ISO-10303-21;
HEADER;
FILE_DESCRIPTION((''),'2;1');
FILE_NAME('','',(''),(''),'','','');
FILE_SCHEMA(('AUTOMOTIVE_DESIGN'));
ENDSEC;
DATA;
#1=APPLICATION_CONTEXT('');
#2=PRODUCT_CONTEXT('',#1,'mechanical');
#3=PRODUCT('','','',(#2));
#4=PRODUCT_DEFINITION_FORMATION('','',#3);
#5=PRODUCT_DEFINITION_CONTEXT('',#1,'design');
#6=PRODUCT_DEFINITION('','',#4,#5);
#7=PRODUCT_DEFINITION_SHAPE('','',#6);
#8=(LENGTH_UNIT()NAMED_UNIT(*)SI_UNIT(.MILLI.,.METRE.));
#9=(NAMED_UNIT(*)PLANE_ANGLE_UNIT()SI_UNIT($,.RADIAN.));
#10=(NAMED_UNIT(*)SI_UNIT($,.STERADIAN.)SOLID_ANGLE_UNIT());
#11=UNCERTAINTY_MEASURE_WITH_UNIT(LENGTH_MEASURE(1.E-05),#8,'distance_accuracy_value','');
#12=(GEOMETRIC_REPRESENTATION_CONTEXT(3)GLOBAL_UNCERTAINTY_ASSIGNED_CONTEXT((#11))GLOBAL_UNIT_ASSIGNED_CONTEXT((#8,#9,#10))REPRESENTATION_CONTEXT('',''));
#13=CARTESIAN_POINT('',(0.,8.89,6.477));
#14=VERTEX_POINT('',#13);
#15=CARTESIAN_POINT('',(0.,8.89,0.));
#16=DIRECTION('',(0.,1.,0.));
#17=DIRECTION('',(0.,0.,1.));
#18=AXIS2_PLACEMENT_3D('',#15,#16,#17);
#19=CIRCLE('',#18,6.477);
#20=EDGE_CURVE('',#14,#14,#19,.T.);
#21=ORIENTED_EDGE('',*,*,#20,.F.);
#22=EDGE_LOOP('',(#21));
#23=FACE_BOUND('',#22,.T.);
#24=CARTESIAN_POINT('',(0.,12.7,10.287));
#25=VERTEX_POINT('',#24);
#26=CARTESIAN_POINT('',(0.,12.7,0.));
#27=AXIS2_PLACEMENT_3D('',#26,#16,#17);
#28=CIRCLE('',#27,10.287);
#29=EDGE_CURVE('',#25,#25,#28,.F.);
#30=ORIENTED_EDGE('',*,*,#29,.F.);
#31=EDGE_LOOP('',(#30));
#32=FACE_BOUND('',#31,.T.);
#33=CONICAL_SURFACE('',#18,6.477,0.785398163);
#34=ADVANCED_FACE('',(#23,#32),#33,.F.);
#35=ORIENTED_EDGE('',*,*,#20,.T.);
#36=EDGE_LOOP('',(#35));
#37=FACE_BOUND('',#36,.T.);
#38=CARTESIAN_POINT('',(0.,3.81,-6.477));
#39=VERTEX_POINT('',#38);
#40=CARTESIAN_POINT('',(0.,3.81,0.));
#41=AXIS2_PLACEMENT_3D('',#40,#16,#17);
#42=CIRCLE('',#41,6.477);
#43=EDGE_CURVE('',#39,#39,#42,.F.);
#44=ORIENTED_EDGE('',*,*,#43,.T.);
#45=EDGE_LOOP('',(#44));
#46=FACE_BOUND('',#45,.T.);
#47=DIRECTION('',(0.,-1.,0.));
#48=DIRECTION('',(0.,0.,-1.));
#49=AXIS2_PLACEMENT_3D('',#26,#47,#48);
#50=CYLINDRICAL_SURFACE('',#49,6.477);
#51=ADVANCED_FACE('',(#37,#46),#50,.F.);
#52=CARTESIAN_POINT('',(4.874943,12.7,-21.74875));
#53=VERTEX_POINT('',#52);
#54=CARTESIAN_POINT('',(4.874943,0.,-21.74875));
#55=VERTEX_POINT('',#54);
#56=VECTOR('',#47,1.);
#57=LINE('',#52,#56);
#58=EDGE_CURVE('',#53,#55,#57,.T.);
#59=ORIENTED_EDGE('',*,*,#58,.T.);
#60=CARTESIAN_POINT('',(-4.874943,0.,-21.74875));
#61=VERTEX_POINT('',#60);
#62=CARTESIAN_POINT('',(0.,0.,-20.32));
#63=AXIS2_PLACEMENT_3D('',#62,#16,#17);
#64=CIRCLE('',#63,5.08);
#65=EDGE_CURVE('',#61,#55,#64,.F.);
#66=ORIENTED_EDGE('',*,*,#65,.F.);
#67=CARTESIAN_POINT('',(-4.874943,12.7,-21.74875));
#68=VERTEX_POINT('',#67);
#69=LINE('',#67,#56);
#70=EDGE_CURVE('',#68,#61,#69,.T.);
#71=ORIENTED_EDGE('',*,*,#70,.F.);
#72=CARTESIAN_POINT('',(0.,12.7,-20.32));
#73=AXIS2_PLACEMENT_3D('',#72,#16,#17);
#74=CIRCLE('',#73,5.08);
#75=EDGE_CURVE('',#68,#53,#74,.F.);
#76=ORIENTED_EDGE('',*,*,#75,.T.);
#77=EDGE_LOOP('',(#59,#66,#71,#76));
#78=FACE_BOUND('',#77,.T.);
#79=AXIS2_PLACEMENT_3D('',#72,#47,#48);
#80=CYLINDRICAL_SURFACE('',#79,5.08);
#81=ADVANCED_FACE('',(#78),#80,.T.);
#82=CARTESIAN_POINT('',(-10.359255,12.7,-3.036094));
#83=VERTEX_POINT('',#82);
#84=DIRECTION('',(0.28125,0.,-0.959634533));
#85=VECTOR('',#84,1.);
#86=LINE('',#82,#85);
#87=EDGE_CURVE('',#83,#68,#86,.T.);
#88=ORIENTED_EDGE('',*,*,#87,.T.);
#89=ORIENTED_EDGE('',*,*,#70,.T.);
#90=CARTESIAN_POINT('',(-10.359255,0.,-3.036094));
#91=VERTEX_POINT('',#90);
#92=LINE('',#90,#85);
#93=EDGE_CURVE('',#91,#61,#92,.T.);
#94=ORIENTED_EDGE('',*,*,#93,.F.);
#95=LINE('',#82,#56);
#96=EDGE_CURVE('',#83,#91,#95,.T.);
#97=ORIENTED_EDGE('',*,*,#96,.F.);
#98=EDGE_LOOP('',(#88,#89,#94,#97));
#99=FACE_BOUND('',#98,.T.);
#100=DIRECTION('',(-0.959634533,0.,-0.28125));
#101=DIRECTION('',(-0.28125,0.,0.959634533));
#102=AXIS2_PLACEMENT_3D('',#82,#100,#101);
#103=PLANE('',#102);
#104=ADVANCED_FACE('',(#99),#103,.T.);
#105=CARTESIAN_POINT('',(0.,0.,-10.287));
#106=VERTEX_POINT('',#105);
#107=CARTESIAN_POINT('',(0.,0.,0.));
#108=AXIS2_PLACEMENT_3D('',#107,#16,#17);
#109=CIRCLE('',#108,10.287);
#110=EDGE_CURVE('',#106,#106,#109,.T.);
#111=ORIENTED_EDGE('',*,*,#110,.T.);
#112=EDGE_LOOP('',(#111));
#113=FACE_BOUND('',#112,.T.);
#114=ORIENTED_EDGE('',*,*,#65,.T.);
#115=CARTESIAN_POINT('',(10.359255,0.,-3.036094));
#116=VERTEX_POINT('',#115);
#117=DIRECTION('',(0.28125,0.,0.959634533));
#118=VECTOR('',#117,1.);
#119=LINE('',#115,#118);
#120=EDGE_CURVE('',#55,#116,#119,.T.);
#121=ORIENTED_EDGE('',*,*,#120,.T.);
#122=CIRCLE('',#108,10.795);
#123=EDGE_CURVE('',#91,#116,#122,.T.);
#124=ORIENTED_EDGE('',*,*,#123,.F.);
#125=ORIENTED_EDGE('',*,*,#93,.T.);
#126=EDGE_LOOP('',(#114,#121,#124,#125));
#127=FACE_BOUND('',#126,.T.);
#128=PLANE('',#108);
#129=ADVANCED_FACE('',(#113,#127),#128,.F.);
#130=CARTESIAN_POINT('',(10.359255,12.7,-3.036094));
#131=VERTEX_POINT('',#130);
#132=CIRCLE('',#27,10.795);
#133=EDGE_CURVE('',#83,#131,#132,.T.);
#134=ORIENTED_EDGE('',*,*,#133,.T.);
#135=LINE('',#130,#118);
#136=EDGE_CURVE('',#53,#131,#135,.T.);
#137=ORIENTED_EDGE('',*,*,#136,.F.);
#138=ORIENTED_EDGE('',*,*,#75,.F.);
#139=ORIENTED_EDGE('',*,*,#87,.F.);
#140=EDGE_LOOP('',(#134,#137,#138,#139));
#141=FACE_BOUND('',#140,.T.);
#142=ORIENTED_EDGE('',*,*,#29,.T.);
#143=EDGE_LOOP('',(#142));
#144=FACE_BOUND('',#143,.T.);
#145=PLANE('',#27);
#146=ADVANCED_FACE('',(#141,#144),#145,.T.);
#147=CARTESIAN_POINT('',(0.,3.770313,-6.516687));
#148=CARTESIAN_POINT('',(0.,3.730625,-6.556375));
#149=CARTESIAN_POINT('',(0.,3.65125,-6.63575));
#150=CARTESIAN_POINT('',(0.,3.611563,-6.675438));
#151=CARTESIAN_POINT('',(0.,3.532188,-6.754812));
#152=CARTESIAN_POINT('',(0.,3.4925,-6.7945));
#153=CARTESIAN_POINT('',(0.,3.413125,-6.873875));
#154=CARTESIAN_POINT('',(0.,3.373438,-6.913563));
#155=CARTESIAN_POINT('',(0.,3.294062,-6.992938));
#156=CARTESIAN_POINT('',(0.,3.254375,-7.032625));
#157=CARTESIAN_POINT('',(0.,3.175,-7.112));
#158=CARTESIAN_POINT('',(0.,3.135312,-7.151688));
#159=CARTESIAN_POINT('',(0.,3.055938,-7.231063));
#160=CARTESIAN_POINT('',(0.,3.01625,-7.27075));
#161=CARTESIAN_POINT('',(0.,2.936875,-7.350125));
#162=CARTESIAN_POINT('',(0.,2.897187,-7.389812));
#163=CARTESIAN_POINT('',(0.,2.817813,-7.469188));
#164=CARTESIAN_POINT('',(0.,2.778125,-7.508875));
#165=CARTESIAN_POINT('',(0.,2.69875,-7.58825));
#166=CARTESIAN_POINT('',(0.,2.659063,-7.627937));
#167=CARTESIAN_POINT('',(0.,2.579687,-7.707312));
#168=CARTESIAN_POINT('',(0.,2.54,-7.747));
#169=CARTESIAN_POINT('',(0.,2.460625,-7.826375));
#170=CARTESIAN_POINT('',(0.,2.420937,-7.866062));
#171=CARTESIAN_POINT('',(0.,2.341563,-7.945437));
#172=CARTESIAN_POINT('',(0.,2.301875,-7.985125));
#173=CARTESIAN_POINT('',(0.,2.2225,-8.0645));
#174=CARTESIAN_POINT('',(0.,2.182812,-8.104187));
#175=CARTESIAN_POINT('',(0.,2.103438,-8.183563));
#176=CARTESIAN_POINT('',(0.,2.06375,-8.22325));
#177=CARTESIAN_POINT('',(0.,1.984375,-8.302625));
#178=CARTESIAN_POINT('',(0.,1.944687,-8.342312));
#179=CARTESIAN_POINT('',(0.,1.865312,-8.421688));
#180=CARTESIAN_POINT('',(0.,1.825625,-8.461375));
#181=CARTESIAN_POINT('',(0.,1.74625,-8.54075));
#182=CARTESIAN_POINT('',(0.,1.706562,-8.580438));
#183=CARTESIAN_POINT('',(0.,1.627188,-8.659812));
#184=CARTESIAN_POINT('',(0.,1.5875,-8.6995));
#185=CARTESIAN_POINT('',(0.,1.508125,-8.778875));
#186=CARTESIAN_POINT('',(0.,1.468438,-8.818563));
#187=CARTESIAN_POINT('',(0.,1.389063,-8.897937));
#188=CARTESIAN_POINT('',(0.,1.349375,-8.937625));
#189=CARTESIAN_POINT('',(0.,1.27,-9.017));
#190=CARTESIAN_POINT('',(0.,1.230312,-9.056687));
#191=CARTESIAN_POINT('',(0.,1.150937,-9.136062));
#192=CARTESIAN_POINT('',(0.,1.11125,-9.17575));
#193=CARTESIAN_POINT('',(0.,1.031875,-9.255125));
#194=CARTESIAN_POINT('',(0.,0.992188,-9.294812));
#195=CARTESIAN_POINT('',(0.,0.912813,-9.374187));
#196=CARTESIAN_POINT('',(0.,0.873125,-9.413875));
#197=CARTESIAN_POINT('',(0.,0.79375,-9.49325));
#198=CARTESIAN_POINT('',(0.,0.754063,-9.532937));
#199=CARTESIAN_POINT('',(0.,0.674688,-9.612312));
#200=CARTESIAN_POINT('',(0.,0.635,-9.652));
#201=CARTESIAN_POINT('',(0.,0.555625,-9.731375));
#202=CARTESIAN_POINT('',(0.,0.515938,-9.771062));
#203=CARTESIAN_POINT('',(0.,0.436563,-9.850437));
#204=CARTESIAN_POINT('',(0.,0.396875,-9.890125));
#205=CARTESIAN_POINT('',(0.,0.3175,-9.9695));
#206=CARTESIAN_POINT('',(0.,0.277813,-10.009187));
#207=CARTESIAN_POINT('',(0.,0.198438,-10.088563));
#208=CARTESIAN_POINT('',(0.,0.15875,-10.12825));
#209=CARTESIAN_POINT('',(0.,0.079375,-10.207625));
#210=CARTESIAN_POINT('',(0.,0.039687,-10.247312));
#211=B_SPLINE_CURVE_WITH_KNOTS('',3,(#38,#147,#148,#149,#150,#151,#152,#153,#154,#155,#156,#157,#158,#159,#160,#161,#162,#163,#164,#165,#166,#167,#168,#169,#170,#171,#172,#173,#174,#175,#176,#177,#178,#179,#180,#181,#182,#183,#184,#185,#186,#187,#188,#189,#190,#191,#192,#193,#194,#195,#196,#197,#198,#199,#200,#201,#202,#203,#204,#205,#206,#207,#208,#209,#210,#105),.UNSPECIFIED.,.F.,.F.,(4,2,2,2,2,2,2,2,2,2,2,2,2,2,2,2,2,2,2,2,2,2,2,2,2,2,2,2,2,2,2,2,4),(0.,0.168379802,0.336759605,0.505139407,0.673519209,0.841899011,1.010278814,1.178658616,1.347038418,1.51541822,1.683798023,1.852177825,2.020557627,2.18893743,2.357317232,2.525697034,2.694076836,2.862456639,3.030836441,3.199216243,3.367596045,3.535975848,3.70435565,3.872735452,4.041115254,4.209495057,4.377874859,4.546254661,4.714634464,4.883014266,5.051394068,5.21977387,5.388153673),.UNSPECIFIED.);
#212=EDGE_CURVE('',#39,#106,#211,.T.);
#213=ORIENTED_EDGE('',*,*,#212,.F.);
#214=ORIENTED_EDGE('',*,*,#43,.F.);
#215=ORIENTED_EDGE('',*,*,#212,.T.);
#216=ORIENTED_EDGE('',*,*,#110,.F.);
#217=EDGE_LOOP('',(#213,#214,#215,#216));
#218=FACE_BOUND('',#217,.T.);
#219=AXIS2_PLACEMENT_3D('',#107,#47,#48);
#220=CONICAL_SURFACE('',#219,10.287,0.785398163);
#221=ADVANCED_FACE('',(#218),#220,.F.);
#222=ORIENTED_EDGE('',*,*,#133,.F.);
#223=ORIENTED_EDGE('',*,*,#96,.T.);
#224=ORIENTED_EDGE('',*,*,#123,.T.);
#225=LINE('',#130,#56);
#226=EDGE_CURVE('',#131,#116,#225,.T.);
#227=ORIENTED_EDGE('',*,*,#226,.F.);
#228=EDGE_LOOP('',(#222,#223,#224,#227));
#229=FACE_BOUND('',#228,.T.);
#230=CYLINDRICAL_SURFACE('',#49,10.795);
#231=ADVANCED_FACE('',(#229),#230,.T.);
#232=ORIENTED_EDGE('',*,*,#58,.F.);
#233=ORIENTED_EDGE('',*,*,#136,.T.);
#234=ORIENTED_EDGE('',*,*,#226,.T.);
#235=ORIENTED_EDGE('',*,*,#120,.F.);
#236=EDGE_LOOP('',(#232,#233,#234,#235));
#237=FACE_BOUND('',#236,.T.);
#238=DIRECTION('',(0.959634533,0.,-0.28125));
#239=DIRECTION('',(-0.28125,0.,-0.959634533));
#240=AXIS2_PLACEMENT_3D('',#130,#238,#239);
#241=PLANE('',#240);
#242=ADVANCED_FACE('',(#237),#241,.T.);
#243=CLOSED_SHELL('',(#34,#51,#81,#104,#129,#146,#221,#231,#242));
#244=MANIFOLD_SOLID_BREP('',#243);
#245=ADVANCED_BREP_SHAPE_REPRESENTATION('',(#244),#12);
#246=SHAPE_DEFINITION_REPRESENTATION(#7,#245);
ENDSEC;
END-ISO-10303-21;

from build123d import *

# Parameters (mm, degrees)
SKETCH1_R           = 10.795
SKETCH1_R_2         = 6.477
BOSS_EXTRUDE1_DEPTH = 12.7
CHAMFER1_SIZE       = 3.81


with BuildPart() as part:
    # Sketch1 → Boss-Extrude1 (new body)
    # profile 1 of 2: a face of its own
    with BuildSketch(Plane(origin=(0, 0, 0), x_dir=(1, 0, 0), z_dir=(0, 1, 0))):
        with BuildLine():
            Line((-4.874943429, 21.74875), (-10.359254787, 3.03609375))
            ThreePointArc((-10.359254787, 3.03609375), (0, 10.795), (10.359254787, 3.03609375))
            Line((10.359254787, 3.03609375), (4.874943429, 21.74875))
            ThreePointArc((4.874943429, 21.74875), (0, 25.4), (-4.874943429, 21.74875))
        make_face()
    # profile 2 of 2: a face of its own
    with BuildSketch(Plane(origin=(0, 0, 0), x_dir=(1, 0, 0), z_dir=(0, 1, 0))):
        Circle(SKETCH1_R)
        with Locations(Location((0, 0, 0), (0, 0, 270))):
            Circle(SKETCH1_R_2, mode=Mode.SUBTRACT)
    extrude(amount=BOSS_EXTRUDE1_DEPTH)

    # Chamfer1
    chamfer1_edges = [part.edges().sort_by_distance(p)[0] for p in [
        (0, 12.7, -6.477),
        (0, 0, -6.477),
    ]]
    chamfer(chamfer1_edges, length=CHAMFER1_SIZE)


solid = part.part
